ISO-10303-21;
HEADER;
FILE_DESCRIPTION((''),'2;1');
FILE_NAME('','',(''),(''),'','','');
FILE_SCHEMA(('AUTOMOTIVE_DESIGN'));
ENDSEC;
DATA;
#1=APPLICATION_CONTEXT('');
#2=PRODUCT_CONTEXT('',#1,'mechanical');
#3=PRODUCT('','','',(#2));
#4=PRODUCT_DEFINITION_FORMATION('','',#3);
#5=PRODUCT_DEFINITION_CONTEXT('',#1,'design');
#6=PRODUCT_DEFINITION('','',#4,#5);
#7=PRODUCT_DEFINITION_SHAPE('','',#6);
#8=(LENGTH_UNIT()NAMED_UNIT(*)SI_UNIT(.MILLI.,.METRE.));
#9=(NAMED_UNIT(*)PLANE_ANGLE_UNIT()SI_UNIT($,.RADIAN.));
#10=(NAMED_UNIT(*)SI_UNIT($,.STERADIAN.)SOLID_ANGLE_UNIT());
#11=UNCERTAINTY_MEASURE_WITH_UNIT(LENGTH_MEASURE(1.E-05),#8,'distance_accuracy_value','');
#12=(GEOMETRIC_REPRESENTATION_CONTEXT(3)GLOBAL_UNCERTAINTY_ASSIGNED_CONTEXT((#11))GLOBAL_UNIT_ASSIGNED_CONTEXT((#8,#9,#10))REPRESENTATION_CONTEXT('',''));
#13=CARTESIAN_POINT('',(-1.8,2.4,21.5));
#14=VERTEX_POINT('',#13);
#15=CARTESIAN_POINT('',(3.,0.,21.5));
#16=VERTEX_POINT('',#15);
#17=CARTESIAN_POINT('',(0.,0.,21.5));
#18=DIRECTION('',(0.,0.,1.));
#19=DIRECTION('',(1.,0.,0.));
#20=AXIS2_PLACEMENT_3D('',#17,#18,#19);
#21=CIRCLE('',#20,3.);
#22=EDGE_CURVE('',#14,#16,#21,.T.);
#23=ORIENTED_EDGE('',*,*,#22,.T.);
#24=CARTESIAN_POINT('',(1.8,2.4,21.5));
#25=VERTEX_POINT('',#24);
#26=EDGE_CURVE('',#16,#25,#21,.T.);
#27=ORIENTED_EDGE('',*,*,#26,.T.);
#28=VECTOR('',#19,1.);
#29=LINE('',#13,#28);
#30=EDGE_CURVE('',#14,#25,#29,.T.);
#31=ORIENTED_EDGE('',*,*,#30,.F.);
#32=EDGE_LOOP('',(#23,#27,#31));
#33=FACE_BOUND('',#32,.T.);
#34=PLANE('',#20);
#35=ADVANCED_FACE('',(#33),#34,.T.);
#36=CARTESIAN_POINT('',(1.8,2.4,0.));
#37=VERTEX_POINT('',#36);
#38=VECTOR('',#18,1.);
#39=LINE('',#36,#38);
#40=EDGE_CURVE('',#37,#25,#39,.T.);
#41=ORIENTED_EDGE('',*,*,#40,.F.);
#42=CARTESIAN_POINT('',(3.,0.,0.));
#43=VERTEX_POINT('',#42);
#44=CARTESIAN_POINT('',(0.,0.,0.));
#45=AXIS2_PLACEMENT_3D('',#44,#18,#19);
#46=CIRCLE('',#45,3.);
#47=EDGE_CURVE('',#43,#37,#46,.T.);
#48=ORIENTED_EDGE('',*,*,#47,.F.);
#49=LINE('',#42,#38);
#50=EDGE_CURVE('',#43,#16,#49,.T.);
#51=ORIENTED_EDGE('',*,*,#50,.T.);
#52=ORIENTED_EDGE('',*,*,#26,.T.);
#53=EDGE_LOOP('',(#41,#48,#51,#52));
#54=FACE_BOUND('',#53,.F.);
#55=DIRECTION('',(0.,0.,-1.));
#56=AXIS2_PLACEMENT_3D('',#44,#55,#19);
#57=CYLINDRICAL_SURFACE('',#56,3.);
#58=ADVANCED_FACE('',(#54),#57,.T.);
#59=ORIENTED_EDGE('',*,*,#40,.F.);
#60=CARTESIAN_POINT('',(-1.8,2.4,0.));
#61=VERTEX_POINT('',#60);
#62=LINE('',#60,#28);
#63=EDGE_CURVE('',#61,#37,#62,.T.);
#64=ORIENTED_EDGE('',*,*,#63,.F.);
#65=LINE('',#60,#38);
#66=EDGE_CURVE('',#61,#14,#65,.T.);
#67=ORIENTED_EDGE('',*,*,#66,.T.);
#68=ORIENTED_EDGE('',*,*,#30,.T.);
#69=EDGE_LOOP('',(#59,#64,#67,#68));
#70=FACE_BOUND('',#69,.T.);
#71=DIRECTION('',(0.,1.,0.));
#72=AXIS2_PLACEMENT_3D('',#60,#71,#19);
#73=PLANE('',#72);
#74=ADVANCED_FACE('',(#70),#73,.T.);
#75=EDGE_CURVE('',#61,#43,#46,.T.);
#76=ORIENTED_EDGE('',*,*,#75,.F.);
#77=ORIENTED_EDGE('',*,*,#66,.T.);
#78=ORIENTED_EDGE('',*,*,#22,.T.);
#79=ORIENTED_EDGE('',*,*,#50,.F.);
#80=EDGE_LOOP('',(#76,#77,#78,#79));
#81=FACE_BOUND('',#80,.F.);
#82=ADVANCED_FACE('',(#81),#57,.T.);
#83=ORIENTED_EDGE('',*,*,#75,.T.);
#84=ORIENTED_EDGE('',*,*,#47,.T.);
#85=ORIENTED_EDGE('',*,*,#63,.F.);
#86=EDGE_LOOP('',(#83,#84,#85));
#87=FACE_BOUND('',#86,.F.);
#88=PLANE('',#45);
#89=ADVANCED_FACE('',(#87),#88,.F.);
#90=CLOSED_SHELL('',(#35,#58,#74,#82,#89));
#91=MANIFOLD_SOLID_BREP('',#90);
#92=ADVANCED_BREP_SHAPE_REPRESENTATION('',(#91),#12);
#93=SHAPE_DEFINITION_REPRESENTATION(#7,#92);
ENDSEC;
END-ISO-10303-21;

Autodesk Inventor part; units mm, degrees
ref_plane "YZ Plane" through (0, 0, 0) normal (1, 0, 0) x (0, 1, 0)
ref_plane "XZ Plane" through (0, 0, 0) normal (0, 1, 0) x (-1, 0, 0)
ref_plane "XY Plane" through (0, 0, 0) normal (0, 0, 1) x (1, 0, 0)
sketch "Sketch1" plane through (0, 0, 0) normal (0, 0, 1) x (1, 0, 0)
  circle A0 centre (0, 0) radius 3
  line L0 (0, 0) -> (0, -3) construction
  line L1 (-1.8, 2.4) -> (1.8, 2.4)
  dimension "d0" = 6
  dimension "d1" = 5.4
extrude "Extrusion1" add sketch "Sketch1" along normal blind 21.5 contours A0 L1 picked at (0.3021, 0.4498)
properties part number "ShoulderServoShaft"
